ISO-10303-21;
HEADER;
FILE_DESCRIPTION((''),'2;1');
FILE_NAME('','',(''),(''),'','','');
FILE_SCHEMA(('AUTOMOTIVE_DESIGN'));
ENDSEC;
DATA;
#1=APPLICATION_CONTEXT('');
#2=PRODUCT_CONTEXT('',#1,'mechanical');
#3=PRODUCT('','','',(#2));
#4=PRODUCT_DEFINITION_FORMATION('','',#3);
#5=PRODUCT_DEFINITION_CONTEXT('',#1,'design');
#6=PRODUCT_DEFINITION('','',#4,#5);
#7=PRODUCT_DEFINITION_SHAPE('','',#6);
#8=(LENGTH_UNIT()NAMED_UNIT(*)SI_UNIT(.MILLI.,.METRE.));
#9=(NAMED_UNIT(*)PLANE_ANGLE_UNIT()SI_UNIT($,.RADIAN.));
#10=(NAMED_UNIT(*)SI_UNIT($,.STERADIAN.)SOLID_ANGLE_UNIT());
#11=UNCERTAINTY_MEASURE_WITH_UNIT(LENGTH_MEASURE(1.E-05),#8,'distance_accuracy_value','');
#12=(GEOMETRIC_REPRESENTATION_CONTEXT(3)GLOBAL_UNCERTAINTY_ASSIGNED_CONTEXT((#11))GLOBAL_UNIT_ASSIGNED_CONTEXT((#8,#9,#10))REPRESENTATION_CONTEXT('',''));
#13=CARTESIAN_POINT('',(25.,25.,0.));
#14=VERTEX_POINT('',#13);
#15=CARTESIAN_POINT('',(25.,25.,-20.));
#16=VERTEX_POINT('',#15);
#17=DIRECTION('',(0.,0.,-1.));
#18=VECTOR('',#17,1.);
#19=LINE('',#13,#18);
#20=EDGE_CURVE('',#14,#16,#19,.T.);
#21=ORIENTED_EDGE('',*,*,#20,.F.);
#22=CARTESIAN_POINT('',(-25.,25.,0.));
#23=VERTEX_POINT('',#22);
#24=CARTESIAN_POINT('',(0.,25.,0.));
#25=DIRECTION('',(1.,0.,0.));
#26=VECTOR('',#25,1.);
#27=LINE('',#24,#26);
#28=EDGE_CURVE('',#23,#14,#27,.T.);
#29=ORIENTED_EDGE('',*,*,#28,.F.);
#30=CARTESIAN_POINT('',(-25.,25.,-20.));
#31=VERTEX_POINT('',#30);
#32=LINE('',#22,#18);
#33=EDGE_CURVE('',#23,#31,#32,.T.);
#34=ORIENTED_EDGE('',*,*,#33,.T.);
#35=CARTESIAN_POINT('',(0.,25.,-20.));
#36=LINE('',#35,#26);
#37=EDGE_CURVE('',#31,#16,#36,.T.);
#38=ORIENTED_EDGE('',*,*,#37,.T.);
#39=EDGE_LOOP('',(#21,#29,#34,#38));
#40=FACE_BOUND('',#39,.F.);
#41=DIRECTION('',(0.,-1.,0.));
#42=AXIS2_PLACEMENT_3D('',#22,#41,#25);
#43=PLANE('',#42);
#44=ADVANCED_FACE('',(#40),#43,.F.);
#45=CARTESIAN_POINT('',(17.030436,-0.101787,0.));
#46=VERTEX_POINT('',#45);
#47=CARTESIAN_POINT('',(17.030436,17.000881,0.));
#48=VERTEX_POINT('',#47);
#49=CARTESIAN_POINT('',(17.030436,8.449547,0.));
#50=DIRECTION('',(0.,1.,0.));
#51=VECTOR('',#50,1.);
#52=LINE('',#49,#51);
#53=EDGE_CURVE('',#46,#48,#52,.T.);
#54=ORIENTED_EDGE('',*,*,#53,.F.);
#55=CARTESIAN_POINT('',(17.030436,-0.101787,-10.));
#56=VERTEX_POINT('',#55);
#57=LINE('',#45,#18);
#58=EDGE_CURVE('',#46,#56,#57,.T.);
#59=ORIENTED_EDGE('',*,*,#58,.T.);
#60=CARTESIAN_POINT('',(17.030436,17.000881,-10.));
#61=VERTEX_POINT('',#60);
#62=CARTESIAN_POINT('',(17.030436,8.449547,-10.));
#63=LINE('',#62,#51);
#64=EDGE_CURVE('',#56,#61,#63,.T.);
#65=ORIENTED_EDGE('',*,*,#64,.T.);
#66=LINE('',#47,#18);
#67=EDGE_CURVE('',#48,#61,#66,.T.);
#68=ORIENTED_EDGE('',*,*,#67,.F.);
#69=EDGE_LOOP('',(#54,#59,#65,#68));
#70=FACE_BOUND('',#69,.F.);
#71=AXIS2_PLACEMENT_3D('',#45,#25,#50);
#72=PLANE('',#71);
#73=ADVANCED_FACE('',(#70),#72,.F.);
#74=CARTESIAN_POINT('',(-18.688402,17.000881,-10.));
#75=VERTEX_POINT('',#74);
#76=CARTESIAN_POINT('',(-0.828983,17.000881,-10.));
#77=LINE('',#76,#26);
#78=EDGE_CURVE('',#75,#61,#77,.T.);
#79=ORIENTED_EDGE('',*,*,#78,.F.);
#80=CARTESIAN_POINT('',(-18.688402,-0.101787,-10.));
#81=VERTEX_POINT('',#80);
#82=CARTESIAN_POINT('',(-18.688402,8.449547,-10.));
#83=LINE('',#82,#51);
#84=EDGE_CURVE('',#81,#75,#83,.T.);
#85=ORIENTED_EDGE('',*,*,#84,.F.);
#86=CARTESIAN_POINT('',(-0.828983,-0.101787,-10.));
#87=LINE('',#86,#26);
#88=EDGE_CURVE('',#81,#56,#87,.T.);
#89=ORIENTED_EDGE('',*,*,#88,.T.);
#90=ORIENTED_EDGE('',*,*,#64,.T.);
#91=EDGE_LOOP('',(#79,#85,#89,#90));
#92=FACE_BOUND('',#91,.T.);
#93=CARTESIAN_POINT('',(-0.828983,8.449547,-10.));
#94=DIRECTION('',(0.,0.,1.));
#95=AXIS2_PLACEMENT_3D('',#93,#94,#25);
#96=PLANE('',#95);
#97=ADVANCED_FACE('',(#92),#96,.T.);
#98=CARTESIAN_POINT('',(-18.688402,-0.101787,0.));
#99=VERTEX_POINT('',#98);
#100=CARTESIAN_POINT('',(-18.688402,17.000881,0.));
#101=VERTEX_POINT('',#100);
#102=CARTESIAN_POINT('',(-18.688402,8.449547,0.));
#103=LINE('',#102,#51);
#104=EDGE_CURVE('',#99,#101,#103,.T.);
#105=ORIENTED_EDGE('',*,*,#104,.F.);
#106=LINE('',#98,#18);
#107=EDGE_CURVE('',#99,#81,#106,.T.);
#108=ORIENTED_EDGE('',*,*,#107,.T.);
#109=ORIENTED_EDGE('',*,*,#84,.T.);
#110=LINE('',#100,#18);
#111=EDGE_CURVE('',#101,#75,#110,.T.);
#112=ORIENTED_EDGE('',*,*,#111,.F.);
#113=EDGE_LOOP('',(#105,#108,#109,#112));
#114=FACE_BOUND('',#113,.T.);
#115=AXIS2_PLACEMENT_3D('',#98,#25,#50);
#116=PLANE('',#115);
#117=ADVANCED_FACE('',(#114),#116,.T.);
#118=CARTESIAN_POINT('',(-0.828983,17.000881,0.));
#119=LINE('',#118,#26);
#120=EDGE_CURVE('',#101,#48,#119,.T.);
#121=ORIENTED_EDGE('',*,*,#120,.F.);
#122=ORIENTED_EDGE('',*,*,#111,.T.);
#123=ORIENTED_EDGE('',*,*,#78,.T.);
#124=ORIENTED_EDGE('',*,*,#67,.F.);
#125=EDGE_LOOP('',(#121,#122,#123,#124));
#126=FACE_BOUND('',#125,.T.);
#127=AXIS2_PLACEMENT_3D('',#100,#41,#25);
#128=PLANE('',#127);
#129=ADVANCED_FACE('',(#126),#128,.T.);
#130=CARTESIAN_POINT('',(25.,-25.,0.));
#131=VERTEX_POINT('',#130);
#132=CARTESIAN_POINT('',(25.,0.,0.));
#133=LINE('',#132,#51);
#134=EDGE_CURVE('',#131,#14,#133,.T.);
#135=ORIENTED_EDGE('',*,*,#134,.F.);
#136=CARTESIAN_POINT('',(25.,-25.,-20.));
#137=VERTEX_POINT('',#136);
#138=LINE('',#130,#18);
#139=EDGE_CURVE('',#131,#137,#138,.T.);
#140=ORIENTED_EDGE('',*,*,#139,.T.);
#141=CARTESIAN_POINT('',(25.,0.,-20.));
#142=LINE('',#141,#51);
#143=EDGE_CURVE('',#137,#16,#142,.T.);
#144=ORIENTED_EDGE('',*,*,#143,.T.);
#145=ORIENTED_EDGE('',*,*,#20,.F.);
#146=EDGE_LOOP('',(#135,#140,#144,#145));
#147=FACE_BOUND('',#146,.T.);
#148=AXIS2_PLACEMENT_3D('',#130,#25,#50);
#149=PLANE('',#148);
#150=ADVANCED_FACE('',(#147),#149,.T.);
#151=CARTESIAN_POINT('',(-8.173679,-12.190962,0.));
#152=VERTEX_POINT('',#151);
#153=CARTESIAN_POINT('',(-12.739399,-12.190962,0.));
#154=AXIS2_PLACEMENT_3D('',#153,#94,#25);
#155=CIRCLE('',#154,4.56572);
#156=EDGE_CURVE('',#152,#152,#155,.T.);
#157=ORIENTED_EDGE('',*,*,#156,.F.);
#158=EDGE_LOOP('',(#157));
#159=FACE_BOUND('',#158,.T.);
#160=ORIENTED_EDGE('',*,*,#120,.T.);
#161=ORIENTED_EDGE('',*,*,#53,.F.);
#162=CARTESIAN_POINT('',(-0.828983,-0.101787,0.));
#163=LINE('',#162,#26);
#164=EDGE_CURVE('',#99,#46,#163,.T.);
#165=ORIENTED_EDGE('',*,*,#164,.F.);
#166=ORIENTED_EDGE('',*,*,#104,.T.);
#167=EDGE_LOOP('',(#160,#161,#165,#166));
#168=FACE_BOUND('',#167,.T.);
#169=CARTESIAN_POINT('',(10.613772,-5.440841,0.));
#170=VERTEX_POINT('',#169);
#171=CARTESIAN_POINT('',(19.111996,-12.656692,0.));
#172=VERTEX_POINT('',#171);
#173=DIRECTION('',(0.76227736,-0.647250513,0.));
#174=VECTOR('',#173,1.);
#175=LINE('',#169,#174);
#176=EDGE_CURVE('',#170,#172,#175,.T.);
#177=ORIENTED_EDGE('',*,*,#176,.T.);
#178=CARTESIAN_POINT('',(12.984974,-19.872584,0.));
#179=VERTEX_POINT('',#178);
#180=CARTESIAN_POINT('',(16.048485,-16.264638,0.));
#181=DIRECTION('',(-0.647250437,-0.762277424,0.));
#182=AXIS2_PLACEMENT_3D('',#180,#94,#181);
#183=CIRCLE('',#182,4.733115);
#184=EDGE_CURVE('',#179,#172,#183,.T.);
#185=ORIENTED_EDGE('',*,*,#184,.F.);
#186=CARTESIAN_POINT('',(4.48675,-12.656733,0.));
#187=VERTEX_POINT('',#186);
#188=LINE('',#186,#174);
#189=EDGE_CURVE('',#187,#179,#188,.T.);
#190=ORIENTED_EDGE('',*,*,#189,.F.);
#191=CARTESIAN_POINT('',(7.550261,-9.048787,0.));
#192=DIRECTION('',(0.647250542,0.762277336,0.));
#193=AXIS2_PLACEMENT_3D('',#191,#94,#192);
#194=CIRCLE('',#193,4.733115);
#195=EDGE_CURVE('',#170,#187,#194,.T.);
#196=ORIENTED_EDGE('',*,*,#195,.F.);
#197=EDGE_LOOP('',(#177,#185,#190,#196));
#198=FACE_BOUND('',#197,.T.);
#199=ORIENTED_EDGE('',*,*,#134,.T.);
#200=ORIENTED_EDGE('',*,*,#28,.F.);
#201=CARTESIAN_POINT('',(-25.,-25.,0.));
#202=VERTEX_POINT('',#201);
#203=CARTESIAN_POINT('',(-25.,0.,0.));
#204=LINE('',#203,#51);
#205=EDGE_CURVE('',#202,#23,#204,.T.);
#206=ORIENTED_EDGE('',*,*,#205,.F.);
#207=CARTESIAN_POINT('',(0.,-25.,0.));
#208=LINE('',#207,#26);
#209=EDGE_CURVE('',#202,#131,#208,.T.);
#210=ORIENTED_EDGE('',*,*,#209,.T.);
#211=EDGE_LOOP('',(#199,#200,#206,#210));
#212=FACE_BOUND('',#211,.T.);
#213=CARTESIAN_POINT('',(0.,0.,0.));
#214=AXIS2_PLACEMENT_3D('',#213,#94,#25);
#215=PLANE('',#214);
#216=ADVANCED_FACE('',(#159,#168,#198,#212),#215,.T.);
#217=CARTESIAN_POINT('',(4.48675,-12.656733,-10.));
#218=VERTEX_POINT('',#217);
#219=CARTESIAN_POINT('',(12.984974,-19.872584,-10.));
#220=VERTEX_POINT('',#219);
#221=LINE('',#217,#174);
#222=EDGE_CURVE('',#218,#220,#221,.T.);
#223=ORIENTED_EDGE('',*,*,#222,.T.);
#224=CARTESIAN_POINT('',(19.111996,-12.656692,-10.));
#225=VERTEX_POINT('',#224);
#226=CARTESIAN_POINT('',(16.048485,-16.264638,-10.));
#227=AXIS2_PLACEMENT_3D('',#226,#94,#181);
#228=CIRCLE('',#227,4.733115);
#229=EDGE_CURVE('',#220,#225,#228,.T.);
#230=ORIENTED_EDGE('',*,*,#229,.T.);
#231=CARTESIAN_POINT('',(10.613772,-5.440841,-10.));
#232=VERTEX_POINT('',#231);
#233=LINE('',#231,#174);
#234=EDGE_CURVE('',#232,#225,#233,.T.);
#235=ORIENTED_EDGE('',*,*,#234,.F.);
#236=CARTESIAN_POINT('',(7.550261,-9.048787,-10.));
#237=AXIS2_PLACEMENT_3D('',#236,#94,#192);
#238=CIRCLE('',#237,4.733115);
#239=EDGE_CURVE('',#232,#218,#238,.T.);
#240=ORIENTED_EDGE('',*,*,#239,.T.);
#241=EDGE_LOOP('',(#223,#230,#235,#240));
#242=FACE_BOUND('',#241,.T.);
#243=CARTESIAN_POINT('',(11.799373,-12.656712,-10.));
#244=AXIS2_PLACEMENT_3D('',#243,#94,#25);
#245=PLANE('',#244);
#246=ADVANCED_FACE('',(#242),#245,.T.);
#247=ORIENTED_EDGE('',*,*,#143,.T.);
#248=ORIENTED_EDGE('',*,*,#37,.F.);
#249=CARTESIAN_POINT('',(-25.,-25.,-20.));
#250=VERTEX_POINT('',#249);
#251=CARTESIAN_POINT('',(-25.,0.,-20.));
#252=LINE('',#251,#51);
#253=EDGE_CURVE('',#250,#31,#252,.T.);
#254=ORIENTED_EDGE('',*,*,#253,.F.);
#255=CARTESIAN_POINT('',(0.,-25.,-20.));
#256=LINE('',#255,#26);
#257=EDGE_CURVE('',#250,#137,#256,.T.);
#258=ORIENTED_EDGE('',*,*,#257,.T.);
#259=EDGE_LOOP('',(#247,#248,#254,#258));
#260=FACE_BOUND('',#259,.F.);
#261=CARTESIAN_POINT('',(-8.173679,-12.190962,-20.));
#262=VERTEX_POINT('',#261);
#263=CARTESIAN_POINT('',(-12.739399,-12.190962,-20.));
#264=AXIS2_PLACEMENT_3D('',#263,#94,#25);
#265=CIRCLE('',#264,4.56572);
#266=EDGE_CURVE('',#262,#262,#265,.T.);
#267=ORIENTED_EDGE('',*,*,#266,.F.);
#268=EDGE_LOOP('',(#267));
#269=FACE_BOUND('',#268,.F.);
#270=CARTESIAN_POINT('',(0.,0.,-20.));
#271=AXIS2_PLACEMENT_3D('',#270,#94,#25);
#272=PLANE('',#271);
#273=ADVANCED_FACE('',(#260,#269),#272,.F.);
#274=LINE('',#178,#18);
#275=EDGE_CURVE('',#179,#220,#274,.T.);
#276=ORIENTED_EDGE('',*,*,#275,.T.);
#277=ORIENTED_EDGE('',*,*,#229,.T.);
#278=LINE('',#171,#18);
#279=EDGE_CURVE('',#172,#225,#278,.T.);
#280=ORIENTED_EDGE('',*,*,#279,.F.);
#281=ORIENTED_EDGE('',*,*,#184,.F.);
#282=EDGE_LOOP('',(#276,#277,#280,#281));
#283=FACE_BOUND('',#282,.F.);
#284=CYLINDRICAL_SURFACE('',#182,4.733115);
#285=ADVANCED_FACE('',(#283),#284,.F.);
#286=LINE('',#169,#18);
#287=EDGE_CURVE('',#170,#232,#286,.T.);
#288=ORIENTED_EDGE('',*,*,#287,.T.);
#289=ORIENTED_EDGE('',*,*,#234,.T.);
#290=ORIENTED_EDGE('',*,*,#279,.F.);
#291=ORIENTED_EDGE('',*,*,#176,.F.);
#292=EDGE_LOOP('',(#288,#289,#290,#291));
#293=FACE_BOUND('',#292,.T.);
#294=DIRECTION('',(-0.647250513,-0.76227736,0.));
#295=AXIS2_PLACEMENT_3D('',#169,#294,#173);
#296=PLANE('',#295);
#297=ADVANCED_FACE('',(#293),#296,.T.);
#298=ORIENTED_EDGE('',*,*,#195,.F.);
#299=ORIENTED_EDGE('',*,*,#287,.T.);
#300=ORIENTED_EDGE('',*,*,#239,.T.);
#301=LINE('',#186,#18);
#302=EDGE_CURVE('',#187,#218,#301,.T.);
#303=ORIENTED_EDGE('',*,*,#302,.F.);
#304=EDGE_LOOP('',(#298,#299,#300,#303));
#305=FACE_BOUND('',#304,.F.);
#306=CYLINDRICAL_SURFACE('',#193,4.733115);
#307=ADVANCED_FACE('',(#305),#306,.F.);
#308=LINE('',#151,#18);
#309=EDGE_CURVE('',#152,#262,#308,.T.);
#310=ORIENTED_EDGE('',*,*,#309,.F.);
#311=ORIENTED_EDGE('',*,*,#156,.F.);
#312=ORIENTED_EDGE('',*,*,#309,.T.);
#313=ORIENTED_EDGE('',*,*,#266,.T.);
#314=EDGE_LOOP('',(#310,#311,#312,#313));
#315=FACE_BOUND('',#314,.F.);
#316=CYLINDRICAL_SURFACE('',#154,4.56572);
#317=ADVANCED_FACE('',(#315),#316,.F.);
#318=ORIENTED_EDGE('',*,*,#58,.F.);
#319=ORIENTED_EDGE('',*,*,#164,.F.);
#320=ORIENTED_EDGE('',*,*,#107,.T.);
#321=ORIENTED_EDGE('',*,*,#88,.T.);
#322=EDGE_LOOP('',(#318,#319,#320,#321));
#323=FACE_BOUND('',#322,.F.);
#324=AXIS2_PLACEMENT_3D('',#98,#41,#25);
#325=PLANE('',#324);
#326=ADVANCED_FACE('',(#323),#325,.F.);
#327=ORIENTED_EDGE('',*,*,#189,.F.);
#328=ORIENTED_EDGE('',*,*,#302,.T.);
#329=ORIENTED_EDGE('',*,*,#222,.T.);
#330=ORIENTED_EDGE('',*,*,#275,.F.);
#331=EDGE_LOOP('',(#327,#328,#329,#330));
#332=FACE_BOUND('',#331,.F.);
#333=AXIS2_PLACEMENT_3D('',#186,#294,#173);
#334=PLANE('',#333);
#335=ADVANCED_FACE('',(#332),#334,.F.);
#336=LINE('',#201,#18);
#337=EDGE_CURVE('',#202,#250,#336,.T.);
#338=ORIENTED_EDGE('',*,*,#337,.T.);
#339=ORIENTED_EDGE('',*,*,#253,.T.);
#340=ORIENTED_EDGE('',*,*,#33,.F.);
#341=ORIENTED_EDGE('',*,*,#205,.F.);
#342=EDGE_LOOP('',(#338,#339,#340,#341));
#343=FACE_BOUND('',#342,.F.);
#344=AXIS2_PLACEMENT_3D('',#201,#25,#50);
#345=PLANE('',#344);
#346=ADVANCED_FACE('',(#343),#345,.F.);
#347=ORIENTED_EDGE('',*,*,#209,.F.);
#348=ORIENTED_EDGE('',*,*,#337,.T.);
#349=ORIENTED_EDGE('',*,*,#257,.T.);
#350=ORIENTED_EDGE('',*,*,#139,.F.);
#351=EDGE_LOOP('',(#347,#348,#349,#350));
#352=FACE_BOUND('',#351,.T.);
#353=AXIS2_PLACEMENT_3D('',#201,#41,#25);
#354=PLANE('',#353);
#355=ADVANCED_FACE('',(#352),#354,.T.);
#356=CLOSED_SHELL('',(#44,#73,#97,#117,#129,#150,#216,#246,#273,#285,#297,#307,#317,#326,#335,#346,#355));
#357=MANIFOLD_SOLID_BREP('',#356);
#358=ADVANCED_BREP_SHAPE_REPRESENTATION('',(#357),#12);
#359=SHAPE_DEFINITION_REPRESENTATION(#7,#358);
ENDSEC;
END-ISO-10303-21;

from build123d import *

# Parameters (mm, degrees)
SKETCH_W        = 50
SKETCH_H        = 50
SKETCH_R        = 4.56572
PAD_DEPTH       = 20
SKETCH001_W     = 35.718838
SKETCH001_H     = 17.102667
POCKET_DEPTH    = 10
POCKET001_DEPTH = 10


with BuildPart() as part:
    # Sketch → Pad (new body)
    with BuildSketch(Plane.XY):
        Rectangle(SKETCH_W, SKETCH_H)
        with Locations((-12.739399, -12.190962)):
            Circle(SKETCH_R, mode=Mode.SUBTRACT)
    extrude(amount=-PAD_DEPTH)

    # Sketch001 → Pocket (cut)
    with BuildSketch(Plane.XY):
        with Locations((-0.828983, 8.449547)):
            Rectangle(SKETCH001_W, SKETCH001_H)
    extrude(amount=-POCKET_DEPTH, mode=Mode.SUBTRACT)

    # Sketch002 → Pocket001 (cut)
    with BuildSketch(Plane.XY):
        with BuildLine():
            ThreePointArc((10.613772, -5.440841), (3.942315, -5.985276), (4.48675, -12.656733))
            Line((4.48675, -12.656733), (12.984974, -19.872584))
            ThreePointArc((12.984974, -19.872584), (19.656431, -19.328148), (19.111996, -12.656692))
            Line((10.613772, -5.440841), (19.111996, -12.656692))
        make_face()
    extrude(amount=-POCKET001_DEPTH, mode=Mode.SUBTRACT)


solid = part.part
